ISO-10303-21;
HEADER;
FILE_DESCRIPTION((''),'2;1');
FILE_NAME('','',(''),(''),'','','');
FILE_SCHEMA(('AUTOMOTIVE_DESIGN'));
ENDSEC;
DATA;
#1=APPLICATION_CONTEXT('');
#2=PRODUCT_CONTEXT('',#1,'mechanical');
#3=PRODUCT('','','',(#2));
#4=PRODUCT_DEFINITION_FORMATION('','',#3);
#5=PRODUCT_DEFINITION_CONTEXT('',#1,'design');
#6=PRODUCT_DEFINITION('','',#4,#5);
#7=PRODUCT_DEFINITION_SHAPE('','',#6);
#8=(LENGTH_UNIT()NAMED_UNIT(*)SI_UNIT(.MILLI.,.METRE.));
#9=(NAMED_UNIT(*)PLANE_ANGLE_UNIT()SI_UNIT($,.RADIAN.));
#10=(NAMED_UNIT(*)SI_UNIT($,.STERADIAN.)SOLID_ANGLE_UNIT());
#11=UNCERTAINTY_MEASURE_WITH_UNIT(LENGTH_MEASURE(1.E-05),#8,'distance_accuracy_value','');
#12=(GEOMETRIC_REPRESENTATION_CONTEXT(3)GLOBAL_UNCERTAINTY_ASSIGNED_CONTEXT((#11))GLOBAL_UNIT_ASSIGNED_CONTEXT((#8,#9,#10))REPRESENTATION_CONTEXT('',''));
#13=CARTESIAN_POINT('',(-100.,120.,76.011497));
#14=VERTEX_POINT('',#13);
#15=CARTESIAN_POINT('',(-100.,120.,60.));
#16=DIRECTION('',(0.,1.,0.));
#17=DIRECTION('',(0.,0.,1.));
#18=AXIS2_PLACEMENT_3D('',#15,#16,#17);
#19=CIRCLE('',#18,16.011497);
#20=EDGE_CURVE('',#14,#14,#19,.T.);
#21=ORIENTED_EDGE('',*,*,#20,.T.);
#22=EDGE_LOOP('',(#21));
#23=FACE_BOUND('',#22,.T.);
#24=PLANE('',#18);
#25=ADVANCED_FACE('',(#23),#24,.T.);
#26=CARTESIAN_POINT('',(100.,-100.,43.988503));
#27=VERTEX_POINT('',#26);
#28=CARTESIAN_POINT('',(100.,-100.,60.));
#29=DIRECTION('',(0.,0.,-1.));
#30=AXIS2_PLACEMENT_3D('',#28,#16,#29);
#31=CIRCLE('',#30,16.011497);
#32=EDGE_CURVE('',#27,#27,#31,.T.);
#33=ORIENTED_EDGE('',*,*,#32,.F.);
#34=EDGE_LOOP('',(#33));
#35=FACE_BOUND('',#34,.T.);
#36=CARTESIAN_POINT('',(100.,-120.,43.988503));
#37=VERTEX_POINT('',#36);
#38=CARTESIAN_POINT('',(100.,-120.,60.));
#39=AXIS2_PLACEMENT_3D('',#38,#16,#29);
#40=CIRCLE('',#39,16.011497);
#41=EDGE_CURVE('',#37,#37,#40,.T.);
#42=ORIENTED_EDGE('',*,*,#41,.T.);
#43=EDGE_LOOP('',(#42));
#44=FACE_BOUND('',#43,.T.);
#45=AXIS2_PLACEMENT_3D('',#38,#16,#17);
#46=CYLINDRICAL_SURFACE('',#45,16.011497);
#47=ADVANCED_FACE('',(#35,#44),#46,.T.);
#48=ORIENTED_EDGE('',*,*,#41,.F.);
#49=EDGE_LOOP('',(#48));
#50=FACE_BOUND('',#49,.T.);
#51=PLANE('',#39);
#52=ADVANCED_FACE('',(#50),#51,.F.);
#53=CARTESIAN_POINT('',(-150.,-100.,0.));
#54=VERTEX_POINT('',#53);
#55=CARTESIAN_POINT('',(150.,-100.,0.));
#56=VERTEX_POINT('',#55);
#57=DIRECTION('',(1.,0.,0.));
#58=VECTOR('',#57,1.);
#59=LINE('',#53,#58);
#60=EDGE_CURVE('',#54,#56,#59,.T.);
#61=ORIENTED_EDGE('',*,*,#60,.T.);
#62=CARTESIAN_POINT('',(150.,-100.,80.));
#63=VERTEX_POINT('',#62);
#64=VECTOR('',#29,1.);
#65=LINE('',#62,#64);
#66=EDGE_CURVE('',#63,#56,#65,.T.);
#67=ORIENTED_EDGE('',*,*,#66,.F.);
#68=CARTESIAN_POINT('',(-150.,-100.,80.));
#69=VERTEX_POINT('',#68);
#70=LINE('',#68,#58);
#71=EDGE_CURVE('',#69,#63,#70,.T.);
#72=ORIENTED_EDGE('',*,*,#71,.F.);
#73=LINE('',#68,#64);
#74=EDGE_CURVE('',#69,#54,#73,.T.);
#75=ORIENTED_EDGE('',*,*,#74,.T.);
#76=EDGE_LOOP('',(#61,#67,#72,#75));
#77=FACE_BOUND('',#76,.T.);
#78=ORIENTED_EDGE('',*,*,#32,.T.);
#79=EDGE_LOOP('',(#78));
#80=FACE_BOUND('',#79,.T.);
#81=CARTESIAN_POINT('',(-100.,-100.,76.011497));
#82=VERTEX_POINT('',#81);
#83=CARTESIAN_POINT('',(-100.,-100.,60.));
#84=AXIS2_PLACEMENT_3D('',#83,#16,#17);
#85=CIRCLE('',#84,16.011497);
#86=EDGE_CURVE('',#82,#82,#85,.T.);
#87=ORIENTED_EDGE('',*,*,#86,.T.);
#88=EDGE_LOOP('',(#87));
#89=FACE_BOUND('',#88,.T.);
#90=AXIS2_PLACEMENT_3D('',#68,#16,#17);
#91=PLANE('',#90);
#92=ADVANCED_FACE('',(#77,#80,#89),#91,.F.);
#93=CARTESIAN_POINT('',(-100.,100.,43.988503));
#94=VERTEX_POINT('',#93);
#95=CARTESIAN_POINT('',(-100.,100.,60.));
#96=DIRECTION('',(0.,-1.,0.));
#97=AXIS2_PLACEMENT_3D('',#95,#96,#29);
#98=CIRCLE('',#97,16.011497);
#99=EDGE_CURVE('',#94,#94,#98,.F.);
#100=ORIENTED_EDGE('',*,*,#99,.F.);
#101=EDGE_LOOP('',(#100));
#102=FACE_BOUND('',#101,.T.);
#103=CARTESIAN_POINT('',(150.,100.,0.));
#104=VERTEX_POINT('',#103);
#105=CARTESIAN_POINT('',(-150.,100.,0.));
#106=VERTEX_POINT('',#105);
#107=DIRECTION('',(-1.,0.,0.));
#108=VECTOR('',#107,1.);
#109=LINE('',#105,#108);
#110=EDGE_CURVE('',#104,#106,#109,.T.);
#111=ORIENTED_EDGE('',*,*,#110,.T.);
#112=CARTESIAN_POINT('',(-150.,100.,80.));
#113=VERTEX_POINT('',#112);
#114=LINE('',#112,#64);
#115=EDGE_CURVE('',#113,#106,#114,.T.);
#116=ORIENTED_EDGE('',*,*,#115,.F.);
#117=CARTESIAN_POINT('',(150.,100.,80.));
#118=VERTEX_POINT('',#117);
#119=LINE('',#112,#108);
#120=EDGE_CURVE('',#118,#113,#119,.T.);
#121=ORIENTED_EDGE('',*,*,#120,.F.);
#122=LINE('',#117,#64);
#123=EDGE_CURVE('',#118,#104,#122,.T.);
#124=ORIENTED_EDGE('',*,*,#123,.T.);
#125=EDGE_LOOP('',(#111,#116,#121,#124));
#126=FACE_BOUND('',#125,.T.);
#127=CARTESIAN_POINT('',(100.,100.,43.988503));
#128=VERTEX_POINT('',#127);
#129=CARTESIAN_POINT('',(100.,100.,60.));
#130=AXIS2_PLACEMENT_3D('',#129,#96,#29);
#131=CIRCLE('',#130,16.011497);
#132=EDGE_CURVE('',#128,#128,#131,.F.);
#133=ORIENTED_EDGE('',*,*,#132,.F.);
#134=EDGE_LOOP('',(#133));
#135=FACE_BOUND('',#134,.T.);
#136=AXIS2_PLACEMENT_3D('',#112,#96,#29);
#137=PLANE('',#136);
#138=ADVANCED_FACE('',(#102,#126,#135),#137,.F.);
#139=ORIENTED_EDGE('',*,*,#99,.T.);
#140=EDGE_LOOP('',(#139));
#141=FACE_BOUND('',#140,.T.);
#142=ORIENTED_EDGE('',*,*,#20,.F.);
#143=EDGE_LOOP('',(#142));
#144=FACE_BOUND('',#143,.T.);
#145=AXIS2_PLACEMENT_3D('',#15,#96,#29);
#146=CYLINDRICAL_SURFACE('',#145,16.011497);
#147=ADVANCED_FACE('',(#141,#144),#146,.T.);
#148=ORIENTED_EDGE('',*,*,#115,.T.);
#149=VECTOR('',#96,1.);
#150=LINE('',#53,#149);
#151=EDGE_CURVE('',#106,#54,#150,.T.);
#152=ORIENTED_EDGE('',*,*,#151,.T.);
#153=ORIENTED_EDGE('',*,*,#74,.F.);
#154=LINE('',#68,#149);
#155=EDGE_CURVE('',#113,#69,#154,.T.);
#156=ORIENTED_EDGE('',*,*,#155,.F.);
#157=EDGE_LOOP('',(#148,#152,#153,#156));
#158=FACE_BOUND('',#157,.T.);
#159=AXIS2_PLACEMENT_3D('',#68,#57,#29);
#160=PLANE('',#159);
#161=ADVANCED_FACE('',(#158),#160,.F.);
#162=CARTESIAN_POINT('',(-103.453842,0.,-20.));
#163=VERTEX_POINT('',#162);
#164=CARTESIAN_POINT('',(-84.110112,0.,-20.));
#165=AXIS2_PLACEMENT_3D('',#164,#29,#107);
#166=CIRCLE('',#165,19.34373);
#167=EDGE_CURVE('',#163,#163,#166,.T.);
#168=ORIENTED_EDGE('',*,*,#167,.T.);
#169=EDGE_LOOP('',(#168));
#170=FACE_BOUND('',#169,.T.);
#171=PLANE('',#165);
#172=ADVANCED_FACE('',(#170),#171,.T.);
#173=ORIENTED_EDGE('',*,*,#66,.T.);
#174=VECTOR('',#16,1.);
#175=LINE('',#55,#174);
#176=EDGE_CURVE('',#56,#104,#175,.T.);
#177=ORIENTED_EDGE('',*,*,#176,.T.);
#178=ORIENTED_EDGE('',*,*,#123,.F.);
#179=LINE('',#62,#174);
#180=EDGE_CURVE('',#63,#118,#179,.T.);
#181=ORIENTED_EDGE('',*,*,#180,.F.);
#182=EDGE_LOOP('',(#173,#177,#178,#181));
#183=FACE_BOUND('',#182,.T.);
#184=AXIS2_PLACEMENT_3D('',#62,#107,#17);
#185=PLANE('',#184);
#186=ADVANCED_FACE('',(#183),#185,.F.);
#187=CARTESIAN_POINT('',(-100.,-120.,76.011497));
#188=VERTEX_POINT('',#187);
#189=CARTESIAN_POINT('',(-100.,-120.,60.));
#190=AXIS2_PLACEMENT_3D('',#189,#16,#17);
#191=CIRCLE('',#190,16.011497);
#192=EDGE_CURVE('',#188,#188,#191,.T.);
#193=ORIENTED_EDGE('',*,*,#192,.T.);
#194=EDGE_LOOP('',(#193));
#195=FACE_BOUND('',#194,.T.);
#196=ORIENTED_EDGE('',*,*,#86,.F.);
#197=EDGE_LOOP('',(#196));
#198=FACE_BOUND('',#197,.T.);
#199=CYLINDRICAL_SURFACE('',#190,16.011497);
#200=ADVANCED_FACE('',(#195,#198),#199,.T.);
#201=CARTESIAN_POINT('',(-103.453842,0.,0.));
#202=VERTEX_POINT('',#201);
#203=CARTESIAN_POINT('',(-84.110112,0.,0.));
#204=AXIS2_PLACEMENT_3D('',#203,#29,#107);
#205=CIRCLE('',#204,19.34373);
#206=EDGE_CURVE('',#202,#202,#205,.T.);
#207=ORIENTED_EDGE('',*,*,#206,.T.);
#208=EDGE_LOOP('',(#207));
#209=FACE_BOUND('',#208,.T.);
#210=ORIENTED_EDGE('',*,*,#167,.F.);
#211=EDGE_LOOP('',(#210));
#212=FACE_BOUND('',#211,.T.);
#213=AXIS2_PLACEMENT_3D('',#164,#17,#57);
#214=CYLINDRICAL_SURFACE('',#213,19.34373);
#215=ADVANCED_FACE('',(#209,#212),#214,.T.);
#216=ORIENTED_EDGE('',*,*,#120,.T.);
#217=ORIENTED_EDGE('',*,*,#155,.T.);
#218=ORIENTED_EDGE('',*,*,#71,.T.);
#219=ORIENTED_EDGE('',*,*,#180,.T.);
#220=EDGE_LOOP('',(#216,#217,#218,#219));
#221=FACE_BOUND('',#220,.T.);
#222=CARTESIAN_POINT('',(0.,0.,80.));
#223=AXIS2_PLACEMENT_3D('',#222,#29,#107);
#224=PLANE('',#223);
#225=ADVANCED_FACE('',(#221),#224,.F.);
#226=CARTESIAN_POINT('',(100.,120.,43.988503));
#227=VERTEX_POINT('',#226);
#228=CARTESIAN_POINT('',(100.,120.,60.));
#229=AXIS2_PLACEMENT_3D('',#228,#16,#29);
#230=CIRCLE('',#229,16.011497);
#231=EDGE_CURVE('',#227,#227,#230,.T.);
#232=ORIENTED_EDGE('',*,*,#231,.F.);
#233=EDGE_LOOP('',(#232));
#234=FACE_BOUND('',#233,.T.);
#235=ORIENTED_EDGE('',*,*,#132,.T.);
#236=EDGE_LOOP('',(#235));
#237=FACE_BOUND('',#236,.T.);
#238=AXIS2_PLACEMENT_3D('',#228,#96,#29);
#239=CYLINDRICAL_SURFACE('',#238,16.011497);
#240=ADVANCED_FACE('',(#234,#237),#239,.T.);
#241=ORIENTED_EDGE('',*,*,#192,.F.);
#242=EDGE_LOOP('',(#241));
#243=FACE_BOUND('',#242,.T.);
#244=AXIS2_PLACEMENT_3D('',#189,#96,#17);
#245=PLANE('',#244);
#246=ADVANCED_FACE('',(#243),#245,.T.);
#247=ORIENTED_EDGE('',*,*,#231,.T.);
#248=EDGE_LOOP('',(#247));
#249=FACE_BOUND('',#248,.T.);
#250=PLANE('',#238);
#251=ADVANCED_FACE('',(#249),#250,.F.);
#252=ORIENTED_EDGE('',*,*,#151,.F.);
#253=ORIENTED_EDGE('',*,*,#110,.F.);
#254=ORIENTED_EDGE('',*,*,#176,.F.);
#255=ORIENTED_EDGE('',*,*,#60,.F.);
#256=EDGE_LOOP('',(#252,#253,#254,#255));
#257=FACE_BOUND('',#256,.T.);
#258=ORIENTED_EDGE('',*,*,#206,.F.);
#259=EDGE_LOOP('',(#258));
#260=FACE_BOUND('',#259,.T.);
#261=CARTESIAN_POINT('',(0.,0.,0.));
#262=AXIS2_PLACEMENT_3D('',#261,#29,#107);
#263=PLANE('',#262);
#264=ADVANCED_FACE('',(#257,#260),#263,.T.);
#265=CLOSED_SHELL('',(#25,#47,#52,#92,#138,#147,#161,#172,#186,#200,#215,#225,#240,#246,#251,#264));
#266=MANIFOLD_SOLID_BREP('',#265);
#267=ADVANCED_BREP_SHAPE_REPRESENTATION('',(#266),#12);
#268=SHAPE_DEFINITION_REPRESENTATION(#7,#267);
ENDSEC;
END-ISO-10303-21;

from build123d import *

# Parameters (mm, degrees)
SKETCH_1_W      = 300
SKETCH_1_H      = 200
EXTRUDE_1_DEPTH = 80
SKETCH_2_R      = 16.011496702
EXTRUDE_2_DEPTH = 20
SKETCH_3_R      = 19.343729763
EXTRUDE_3_DEPTH = 20


with BuildPart() as part:
    # 草图1 → 凸台-拉伸1 (new body)
    with BuildSketch(Plane.XY):
        Rectangle(SKETCH_1_W, SKETCH_1_H)
    extrude(amount=EXTRUDE_1_DEPTH)

    # 草图2 → 凸台-拉伸2 (add)
    with BuildSketch(Plane(origin=(0, 100, 0), x_dir=(1, 0, 0), z_dir=(0, 1, 0))):
        with Locations(Location((-100, -60, 0), (0, 0, 90))):
            Circle(SKETCH_2_R)
        with Locations(Location((100, -60, 0), (0, 0, 90))):
            Circle(SKETCH_2_R)
    extrude_2 = extrude(amount=EXTRUDE_2_DEPTH)

    # 镜向1: 凸台-拉伸2 across plane
    add(extrude_2.mirror(Plane.ZX))

    # 草图3 → 凸台-拉伸3 (add)
    with BuildSketch(Plane(origin=(0, 0, 0), x_dir=(-1, 0, 0), z_dir=(0, 0, -1))):
        with Locations((84.11011185, 0)):
            Circle(SKETCH_3_R)
    extrude(amount=EXTRUDE_3_DEPTH)


solid = part.part
